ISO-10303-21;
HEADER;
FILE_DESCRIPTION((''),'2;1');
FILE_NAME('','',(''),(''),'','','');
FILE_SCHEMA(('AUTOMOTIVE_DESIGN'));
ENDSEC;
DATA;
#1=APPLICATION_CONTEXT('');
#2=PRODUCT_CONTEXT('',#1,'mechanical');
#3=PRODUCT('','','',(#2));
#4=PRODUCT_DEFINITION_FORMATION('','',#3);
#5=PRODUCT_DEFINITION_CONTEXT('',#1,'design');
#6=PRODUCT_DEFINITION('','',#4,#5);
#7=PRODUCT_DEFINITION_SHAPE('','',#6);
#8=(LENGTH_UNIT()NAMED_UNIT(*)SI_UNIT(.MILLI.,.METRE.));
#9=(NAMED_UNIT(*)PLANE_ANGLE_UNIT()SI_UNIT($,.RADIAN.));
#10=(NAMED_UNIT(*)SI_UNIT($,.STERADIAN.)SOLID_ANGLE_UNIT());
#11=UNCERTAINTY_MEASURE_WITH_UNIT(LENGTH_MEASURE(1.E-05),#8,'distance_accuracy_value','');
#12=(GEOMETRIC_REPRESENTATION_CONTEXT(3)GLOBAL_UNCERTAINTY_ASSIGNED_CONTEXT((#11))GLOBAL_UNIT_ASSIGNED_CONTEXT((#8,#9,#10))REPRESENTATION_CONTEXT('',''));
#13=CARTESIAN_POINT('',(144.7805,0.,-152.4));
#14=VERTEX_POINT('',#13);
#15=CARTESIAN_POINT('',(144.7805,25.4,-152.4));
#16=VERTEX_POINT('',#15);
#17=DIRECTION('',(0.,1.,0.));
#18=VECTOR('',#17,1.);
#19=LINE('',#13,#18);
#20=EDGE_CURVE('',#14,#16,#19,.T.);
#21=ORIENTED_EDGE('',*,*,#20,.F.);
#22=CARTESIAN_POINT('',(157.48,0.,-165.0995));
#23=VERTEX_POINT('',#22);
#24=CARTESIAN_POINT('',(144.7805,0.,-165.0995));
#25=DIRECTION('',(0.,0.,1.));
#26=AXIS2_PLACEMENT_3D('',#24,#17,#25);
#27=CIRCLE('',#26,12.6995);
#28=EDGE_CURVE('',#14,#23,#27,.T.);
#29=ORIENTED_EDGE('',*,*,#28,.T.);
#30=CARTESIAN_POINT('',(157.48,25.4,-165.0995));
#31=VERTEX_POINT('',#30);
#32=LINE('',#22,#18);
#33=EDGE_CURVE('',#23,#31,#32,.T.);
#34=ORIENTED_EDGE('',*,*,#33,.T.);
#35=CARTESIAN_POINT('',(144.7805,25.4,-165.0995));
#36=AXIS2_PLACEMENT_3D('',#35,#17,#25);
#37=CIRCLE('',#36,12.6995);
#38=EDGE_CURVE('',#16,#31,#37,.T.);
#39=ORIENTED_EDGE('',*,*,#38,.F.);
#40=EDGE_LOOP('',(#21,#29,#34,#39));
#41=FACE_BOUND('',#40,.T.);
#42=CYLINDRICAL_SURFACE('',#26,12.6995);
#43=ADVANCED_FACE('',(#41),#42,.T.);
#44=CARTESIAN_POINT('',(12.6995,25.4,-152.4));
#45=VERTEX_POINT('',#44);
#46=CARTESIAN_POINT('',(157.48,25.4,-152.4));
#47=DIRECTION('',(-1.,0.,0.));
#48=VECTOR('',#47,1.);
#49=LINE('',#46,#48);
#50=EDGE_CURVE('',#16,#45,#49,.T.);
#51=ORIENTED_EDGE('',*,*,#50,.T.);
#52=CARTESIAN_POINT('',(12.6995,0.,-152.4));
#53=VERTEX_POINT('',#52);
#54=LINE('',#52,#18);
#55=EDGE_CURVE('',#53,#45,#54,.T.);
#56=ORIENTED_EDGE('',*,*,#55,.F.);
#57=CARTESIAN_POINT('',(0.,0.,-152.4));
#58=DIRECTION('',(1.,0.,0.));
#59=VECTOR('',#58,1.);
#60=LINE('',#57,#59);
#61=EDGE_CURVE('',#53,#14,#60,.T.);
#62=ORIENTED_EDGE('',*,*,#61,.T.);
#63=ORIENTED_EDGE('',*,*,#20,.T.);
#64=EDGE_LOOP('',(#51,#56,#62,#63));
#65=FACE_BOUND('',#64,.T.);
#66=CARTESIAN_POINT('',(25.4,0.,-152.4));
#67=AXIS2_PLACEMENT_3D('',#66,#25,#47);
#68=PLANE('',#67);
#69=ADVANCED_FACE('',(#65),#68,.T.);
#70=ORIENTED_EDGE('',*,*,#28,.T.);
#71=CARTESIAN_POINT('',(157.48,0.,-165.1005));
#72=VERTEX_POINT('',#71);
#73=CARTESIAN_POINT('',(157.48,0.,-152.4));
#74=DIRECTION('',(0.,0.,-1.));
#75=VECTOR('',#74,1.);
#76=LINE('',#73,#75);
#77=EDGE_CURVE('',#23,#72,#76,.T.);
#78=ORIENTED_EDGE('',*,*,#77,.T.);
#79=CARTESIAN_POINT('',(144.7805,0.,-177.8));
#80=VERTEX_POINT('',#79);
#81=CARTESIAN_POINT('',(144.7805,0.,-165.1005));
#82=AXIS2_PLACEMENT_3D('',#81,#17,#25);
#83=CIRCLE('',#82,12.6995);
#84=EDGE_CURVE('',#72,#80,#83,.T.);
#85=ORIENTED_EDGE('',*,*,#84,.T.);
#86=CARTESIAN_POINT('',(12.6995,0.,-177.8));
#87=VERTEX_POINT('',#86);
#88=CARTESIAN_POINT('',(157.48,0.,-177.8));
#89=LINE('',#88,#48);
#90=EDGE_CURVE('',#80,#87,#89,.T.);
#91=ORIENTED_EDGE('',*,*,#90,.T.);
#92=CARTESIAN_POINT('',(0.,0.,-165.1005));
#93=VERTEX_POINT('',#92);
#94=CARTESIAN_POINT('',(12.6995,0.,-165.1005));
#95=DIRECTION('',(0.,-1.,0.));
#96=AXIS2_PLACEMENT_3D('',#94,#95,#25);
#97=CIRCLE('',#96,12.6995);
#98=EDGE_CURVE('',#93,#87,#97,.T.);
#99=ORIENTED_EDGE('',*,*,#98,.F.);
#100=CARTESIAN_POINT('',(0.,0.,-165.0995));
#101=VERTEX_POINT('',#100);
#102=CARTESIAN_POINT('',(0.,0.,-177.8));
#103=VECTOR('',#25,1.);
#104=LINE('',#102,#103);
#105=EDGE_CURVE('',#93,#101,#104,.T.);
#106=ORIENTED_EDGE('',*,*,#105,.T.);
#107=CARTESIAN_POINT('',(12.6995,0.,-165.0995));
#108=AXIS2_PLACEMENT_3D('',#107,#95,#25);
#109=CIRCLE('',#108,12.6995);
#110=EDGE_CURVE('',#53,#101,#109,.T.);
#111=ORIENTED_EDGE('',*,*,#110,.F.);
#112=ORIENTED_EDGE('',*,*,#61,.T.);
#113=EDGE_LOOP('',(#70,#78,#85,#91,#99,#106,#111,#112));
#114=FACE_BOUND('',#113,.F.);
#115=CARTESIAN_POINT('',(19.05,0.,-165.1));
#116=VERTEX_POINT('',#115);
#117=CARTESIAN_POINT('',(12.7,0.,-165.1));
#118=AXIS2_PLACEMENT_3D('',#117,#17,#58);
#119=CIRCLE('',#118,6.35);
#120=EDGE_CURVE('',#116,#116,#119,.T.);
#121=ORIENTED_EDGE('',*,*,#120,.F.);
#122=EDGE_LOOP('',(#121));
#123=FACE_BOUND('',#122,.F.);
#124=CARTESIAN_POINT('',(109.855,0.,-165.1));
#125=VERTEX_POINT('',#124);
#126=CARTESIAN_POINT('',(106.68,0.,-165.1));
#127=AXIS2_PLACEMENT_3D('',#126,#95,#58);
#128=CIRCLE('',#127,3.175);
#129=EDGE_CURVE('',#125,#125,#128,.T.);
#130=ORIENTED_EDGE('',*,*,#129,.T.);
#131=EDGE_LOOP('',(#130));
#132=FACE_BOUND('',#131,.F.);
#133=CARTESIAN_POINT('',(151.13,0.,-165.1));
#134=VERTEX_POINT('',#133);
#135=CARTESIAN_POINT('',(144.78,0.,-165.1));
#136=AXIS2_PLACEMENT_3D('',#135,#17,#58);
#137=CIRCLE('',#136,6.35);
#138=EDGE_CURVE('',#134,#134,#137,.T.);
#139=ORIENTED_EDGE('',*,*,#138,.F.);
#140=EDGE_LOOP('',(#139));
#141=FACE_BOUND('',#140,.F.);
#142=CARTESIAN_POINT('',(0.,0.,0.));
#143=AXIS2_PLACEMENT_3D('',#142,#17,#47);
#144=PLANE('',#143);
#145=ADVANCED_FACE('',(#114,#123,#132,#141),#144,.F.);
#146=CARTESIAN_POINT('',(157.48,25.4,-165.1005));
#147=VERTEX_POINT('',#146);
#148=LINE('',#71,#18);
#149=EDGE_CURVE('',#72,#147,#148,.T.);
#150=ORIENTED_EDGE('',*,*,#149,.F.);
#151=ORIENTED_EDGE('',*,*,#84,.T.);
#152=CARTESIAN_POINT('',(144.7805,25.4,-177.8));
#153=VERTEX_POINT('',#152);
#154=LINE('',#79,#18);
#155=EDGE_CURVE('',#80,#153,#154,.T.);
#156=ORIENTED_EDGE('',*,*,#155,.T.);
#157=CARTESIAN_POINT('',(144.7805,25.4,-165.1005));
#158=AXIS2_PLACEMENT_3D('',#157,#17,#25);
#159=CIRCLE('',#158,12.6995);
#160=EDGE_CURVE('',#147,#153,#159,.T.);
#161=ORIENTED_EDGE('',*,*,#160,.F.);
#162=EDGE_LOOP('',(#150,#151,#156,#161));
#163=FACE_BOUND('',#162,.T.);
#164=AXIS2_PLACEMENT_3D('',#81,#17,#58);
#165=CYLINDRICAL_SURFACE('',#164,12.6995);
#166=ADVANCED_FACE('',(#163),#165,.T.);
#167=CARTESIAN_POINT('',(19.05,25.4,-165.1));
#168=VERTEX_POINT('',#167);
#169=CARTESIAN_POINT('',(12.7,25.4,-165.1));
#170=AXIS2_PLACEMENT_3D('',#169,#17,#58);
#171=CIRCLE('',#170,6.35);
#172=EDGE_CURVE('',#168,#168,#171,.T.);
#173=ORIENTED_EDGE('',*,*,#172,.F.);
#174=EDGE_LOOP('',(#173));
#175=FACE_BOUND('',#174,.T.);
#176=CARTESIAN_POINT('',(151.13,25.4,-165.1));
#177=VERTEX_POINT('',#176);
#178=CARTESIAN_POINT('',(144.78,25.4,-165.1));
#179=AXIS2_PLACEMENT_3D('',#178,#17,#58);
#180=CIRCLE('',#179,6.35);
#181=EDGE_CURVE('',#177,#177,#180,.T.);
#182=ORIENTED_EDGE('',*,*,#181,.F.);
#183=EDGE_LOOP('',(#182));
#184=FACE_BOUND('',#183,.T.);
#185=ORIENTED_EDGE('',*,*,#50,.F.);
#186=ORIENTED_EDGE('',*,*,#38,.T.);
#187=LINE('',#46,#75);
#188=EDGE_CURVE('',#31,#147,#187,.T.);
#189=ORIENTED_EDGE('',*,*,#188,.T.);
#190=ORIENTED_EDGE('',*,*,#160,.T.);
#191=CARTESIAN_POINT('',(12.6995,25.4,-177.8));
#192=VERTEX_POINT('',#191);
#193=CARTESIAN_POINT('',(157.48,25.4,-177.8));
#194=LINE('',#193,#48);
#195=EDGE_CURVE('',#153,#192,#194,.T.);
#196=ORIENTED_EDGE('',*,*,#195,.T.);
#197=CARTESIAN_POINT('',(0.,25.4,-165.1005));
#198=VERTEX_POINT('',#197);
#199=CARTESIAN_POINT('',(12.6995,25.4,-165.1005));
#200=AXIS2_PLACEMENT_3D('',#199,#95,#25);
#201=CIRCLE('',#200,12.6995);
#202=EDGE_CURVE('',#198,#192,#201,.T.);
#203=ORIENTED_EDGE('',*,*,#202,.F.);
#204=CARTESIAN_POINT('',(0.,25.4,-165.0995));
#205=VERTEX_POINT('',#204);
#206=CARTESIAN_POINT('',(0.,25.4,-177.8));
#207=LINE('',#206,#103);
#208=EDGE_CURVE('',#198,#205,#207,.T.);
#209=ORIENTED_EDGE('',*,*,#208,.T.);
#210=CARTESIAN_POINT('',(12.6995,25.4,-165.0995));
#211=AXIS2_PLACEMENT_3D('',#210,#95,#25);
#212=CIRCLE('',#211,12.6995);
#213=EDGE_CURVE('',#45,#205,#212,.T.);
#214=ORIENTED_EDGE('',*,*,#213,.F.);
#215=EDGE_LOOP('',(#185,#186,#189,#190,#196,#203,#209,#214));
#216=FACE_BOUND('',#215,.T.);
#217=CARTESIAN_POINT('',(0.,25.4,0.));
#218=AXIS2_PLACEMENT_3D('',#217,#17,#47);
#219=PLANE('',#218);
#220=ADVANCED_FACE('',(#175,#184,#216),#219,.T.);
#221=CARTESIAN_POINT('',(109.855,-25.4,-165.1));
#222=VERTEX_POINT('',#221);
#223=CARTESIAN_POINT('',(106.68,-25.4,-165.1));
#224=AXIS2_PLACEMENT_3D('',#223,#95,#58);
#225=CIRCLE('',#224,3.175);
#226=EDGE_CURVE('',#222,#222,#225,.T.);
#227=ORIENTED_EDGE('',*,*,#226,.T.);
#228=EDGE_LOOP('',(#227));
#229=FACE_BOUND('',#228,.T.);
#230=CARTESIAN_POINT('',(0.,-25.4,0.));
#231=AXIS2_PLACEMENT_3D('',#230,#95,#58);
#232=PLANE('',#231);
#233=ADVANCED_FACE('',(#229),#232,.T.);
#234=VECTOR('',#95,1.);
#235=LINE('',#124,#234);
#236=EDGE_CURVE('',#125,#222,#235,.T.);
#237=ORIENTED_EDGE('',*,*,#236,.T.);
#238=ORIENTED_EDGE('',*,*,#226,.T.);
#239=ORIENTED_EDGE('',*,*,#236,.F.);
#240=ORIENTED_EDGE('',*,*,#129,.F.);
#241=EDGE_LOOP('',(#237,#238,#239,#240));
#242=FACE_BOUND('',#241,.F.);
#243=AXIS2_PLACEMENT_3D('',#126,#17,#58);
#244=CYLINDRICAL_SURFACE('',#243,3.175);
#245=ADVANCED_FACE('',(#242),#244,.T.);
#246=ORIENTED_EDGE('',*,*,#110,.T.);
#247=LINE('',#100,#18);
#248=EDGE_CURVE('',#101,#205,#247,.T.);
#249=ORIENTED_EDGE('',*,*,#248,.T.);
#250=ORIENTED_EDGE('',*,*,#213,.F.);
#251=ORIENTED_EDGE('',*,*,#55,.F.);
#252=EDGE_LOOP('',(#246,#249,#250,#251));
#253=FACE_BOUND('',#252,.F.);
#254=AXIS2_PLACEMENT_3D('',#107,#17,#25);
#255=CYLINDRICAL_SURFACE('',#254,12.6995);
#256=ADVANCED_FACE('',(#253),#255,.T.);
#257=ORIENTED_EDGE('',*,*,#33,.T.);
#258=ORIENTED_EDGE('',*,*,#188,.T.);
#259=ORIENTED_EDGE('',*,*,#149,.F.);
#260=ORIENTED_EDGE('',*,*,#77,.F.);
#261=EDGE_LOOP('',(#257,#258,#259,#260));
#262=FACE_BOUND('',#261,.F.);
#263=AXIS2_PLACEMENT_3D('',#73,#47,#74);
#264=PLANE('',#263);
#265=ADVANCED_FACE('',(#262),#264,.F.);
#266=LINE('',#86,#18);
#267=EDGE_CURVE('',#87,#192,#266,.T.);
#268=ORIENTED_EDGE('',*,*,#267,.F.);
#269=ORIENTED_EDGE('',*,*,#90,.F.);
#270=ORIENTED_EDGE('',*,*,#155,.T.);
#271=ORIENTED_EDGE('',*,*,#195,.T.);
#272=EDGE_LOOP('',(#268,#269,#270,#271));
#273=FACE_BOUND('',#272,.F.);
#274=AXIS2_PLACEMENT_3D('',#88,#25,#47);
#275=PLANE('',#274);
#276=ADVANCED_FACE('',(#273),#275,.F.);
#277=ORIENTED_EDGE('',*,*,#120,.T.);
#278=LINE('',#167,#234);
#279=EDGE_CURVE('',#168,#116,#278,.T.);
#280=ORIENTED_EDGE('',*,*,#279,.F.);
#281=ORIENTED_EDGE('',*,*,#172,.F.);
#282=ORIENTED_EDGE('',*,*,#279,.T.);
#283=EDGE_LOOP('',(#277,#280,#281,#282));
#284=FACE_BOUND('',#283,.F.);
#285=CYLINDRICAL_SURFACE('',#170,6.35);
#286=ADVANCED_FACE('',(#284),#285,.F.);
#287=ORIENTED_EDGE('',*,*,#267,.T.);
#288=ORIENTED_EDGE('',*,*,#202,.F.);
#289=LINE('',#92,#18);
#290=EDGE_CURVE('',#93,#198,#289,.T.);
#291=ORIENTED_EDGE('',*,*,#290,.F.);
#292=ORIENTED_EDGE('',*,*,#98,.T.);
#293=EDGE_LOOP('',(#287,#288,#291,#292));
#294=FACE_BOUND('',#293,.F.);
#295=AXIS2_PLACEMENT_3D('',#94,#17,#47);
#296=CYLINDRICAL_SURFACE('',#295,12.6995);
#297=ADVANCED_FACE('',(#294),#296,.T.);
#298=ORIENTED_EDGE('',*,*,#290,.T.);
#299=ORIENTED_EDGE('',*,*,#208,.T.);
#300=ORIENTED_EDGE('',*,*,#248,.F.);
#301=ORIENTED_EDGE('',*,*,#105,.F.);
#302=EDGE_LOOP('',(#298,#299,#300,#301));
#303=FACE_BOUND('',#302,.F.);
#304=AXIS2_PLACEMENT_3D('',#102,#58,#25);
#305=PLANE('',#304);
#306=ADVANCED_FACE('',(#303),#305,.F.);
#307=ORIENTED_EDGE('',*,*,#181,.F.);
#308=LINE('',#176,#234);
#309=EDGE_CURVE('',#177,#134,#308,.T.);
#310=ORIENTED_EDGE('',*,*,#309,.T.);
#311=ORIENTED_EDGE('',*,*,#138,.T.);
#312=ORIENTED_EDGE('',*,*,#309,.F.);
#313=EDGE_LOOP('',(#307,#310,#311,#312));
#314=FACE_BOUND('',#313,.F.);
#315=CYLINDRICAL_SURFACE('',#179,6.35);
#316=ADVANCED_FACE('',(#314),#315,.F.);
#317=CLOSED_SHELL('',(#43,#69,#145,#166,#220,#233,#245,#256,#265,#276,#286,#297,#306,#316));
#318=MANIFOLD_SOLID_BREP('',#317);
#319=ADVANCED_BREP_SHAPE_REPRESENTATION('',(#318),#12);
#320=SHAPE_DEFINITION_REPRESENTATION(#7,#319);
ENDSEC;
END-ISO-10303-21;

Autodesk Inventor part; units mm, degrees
ref_plane "YZ Plane" through (0, 0, 0) normal (1, 0, 0) x (0, 1, 0)
ref_plane "XZ Plane" through (0, 0, 0) normal (0, 1, 0) x (-1, 0, 0)
ref_plane "XY Plane" through (0, 0, 0) normal (0, 0, 1) x (1, 0, 0)
sketch "Sketch1" plane through (0, 0, 0) normal (0, 1, 0) x (-1, 0, 0)
  line L0 (0, 0) -> (-25.4, 0)
  line L1 (-25.4, -152.4) -> (-157.48, -152.4)
  line L2 (-157.48, -152.4) -> (-157.48, -177.8)
  line L3 (-157.48, -177.8) -> (0, -177.8)
  line L4 (0, -177.8) -> (0, -152.4)
  line L5 (-25.4, -152.4) -> (0, -152.4)
  dimension "d2" = 25.4
  dimension "d23" = 157.48
extrude "Extrusion1" add sketch "Sketch1" along normal blind 25.4
sketch "Sketch2" plane through (0, 25.4, 0) normal (0, 1, 0) x (1, 0, 0)
  circle A0 centre (144.78, 165.1) radius 6.35
  line L0 (157.48, 152.4) -> (157.48, 177.8) projected
  line L1 (157.48, 177.8) -> (0, 177.8) projected
  circle A1 centre (12.7, 165.1) radius 6.35
  line L2 (0, 152.4) -> (157.48, 152.4) projected
  line L3 (0, 177.8) -> (0, 152.4) projected
  point P0 (0, 0)
  dimension "d5" = 12.7
  dimension "d6" = 12.7
  dimension "d7" = 12.7
  dimension "d16" = 12.7
  dimension "d17" = 12.7
extrude "Extrusion2" cut sketch "Sketch2" against normal blind 41.275 contours A0 | A1
fillet "Fillet1" radius 12.7 4 edges at (157.48, 12.7, -152.4) (157.48, 12.7, -177.8) (0, 12.7, -152.4) (0, 12.7, -177.8)
sketch "Sketch4" plane through (0, 0, 0) normal (0, -1, 0) x (1, 0, 0)
  circle A0 centre (106.68, -165.1) radius 3.175
  line L0 (144.78, -177.8) -> (12.7, -177.8) projected
  circle A1 centre (144.78, -165.1) radius 6.35 projected
  point P0 (0, 0)
  dimension "d18" = 6.35
  dimension "d19" = 12.7
  dimension "d20" = 38.1
extrude "Extrusion4" add sketch "Sketch4" along normal blind 25.4 contours A0
properties part number "arm" material "Aluminum 6061"
